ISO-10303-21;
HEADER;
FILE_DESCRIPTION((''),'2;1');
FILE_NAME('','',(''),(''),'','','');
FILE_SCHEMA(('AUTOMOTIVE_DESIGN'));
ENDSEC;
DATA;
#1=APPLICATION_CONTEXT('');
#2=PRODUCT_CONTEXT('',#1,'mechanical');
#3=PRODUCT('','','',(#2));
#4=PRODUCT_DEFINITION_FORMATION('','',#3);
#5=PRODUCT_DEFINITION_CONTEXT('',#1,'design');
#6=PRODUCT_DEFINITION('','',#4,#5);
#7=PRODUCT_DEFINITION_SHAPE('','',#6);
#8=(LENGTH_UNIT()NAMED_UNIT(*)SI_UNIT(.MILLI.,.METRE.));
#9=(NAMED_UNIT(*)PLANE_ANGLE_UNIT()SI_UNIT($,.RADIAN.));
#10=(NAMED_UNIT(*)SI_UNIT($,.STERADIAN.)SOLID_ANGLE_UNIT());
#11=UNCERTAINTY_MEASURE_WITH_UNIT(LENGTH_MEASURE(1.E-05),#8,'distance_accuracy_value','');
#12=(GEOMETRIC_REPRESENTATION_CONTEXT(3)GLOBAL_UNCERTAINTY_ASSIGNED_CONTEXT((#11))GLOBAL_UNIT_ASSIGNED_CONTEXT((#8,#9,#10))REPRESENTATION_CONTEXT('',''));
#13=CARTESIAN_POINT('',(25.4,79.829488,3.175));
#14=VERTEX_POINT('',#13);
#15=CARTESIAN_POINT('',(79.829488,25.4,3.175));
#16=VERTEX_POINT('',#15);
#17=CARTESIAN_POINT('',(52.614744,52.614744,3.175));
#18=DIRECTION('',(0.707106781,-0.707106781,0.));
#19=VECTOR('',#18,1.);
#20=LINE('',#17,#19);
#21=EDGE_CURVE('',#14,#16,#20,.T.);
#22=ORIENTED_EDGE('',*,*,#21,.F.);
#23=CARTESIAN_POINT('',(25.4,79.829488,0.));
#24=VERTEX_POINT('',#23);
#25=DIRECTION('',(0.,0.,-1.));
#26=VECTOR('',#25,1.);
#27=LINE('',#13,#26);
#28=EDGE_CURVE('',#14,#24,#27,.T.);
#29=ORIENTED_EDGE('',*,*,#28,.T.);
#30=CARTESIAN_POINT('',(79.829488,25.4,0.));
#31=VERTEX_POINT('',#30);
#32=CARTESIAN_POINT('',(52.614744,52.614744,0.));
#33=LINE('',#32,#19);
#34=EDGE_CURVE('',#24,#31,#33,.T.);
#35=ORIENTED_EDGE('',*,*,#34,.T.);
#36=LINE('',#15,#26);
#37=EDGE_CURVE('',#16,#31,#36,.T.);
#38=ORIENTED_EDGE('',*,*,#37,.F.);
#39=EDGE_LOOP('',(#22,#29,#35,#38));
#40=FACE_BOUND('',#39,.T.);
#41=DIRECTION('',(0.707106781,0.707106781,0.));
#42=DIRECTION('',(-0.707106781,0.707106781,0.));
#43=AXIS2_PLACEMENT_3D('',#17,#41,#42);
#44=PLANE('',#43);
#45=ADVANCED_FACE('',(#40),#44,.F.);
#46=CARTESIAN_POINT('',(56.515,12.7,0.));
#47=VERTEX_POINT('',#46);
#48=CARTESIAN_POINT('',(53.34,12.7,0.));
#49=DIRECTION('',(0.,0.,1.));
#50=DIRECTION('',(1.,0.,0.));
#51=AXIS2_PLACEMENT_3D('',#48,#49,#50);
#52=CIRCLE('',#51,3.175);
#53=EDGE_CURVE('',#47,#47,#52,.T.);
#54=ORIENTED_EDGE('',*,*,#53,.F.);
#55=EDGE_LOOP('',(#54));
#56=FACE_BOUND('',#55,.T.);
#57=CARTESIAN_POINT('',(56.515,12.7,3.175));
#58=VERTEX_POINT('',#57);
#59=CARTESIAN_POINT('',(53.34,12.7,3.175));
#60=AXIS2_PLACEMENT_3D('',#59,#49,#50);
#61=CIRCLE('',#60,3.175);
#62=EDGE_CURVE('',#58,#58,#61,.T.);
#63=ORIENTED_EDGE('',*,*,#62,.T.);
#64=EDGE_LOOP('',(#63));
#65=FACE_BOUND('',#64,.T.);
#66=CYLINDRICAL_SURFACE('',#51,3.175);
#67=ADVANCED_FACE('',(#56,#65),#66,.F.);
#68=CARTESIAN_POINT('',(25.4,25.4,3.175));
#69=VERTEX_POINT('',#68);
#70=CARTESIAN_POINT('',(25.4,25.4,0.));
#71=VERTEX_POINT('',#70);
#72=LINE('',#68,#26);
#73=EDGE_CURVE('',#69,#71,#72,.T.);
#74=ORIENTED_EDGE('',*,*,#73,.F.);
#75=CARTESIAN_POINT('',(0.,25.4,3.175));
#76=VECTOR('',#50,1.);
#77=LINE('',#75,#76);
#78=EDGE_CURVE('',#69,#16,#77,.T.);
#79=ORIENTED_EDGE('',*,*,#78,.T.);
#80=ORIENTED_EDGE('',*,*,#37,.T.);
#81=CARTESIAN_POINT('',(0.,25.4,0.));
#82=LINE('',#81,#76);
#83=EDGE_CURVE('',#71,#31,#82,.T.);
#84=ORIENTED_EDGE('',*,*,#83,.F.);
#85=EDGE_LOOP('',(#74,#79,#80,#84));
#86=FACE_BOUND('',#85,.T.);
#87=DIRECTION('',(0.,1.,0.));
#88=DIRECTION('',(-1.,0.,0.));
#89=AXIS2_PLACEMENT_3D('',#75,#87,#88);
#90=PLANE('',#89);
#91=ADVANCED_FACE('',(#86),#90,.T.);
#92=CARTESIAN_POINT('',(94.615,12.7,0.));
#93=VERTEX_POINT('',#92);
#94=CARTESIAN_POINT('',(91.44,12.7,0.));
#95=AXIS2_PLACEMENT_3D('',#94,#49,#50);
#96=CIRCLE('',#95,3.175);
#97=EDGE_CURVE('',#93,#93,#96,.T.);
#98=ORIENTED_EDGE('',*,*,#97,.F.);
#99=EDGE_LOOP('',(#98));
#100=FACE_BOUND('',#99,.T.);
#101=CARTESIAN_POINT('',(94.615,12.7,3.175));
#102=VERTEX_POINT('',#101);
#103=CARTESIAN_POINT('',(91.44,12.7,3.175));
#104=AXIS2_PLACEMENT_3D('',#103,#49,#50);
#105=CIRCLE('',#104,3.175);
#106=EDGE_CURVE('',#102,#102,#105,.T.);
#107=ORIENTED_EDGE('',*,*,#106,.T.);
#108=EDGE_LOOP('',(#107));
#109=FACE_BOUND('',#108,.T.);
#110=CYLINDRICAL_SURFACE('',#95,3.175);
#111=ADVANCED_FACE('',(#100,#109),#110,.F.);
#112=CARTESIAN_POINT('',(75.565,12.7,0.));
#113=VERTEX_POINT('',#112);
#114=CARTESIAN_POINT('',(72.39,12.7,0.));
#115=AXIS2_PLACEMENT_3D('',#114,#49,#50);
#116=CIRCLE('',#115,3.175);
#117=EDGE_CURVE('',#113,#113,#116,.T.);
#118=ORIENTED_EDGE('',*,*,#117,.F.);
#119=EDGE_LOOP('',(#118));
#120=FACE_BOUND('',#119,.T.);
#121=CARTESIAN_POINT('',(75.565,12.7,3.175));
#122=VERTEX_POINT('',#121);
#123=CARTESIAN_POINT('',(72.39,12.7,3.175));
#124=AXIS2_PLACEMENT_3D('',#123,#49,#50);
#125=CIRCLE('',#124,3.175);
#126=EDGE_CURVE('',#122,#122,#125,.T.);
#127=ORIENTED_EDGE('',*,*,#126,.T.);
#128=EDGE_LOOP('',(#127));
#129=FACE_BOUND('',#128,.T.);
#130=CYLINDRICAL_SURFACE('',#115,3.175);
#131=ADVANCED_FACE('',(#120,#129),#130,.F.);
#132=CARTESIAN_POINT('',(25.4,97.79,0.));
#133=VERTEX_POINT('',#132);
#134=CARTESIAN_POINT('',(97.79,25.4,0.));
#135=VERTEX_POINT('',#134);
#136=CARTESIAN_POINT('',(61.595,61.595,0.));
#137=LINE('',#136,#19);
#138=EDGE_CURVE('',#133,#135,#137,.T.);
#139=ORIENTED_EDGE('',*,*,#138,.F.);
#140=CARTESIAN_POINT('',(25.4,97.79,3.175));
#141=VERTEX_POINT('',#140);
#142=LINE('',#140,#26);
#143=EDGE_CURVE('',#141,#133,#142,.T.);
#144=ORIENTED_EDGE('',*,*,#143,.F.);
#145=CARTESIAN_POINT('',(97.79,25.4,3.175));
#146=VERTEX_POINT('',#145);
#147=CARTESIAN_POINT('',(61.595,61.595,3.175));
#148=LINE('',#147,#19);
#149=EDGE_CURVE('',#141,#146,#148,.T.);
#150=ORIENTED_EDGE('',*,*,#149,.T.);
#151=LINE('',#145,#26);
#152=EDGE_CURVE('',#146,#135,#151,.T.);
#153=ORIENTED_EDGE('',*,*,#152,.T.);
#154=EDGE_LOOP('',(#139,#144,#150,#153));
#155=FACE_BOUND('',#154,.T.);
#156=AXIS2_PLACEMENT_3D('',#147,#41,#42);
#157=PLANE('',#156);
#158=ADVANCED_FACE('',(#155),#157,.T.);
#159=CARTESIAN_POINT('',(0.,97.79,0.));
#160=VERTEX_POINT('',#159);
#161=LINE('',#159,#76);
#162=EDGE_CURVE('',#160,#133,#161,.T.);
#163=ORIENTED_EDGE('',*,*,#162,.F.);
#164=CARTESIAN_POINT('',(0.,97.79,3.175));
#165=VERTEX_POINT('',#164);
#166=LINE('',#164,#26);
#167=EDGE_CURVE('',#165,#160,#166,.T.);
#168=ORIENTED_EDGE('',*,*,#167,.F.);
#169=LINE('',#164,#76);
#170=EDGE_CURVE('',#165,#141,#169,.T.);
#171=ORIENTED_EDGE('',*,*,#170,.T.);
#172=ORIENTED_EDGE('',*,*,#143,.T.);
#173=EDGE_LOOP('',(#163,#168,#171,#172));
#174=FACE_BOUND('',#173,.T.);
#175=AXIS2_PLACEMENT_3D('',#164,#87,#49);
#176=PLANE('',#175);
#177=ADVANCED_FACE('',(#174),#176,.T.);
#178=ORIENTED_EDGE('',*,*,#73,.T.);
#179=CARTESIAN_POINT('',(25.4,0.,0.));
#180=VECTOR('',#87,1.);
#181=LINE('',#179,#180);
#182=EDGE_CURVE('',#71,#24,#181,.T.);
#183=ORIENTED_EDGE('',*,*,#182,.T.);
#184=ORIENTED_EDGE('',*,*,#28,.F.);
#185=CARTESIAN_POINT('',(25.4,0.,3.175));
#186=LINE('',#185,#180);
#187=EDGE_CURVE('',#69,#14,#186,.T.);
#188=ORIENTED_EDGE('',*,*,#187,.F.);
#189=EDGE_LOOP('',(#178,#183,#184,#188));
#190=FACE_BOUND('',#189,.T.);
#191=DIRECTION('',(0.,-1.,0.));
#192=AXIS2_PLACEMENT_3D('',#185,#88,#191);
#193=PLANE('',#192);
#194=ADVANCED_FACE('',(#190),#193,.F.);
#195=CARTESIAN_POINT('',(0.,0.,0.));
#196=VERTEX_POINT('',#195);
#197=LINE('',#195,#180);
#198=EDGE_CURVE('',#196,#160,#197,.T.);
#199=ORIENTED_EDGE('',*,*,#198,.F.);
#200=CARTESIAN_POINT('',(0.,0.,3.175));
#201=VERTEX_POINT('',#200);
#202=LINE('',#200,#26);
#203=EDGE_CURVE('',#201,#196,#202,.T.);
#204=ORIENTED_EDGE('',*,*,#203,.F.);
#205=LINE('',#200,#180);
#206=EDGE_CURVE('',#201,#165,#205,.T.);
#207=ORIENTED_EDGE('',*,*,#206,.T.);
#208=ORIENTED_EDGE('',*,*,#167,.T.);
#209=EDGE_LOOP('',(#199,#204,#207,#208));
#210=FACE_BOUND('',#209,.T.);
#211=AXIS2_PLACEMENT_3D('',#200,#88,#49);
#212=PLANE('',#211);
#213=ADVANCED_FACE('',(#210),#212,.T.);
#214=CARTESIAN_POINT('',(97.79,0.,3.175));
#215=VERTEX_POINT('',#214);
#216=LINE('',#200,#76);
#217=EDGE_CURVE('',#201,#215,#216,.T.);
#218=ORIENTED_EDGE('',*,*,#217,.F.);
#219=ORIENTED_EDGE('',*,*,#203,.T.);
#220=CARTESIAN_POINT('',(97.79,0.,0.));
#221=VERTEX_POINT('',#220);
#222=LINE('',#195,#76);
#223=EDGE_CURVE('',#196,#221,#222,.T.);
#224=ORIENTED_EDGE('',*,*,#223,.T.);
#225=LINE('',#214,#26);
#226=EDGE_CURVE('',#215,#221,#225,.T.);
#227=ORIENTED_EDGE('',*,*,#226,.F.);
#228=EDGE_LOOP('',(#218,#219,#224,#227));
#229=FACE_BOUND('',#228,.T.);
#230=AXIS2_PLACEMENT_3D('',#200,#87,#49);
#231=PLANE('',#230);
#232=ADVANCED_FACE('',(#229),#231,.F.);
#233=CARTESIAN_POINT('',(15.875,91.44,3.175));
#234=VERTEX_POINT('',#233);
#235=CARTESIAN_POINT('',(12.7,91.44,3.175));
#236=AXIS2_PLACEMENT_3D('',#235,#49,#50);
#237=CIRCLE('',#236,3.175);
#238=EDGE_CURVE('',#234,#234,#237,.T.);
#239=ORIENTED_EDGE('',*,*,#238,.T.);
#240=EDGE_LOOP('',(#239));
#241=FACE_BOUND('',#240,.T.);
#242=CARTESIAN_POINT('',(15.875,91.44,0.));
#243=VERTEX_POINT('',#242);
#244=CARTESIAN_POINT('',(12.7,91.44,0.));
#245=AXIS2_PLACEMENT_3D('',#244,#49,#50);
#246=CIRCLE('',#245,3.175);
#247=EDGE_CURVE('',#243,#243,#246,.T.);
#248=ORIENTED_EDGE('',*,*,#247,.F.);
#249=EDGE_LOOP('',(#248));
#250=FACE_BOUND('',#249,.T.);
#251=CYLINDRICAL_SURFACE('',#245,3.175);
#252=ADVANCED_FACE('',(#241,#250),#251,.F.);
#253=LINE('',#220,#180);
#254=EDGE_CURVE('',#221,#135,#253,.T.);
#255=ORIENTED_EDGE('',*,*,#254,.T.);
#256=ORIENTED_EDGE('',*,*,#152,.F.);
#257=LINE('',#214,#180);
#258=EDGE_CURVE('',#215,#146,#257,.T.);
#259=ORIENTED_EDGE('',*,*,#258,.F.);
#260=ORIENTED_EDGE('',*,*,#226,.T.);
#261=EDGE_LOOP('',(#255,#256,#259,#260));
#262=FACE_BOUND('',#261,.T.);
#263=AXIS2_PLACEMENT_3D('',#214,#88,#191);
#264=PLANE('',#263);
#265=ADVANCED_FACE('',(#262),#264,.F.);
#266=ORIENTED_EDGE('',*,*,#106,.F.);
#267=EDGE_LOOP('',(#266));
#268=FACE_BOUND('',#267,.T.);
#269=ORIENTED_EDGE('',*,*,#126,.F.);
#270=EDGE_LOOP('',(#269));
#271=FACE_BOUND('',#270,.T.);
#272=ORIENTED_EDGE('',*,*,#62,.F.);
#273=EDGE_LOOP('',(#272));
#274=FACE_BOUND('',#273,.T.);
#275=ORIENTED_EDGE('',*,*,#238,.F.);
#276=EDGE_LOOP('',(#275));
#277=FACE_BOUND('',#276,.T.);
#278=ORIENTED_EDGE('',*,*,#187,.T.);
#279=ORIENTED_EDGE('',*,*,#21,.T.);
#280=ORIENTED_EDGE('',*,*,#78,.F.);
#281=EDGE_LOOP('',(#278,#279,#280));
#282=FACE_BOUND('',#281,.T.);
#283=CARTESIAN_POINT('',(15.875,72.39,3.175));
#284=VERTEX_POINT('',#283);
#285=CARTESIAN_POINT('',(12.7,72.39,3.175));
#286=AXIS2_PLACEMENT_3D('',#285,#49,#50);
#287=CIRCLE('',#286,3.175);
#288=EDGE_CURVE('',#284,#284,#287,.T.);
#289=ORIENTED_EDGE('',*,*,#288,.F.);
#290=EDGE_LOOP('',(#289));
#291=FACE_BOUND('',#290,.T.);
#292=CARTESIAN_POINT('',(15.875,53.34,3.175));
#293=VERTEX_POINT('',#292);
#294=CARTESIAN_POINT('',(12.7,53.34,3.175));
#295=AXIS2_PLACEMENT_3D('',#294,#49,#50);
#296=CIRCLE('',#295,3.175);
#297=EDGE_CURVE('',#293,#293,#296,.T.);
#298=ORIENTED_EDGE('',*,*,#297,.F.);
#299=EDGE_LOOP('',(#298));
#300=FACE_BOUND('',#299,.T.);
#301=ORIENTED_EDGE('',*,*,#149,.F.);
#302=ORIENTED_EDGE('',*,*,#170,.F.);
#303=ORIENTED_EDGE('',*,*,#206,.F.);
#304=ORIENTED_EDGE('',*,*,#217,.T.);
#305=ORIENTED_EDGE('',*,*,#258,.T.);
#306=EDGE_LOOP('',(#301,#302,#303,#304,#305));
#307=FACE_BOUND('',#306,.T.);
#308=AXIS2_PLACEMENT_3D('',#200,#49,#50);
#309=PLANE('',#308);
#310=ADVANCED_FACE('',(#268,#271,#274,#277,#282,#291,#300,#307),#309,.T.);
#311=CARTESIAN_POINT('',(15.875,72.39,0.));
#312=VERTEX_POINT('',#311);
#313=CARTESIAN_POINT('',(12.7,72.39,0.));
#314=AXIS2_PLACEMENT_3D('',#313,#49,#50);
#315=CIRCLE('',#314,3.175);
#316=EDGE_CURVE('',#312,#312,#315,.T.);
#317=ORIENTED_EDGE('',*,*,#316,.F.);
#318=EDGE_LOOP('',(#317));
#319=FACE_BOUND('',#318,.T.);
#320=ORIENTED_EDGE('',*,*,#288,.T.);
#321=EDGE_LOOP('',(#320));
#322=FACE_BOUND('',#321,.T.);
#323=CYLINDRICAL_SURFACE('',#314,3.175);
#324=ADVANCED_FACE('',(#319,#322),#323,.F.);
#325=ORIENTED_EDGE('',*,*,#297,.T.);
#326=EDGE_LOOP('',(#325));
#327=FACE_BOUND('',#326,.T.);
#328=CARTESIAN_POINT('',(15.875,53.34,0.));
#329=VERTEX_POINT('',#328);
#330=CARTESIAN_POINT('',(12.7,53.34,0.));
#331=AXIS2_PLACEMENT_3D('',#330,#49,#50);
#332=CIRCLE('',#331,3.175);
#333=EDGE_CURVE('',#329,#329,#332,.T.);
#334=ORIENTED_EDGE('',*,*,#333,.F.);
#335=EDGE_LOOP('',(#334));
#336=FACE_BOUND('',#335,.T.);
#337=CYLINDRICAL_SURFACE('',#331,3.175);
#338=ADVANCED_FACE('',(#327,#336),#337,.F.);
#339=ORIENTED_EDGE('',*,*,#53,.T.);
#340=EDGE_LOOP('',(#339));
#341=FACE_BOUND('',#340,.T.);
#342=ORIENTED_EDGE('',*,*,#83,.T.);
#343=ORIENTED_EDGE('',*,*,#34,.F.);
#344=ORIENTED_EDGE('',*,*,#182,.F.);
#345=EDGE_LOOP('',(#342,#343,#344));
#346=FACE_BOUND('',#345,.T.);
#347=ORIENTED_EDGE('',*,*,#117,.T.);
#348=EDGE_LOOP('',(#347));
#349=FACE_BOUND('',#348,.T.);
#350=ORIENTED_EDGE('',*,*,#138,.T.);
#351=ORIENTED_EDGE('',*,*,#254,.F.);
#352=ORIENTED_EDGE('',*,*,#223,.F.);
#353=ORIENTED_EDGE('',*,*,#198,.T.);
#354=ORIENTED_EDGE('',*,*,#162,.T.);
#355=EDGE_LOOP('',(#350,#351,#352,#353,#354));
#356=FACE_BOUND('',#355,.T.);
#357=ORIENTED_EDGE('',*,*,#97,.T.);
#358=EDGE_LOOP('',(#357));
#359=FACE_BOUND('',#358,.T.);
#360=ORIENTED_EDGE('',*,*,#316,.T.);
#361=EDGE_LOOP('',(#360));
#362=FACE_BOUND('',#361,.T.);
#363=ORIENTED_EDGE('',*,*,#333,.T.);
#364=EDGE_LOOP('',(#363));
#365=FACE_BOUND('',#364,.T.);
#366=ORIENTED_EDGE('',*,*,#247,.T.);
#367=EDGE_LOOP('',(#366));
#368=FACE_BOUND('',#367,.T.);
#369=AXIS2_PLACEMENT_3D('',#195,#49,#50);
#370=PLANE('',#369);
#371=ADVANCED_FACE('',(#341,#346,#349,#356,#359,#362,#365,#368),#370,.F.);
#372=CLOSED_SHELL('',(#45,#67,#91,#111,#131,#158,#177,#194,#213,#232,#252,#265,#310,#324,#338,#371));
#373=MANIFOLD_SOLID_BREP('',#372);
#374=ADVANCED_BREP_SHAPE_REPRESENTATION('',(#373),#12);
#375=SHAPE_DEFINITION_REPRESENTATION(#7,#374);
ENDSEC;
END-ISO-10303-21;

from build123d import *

# Parameters (mm, degrees)
BOSS_EXTRUDE1_DEPTH = 3.175
SKETCH2_R           = 3.175
CUT_EXTRUDE1_DEPTH  = 139.332385308


with BuildPart() as part:
    # Sketch1 → Boss-Extrude1 (new body)
    with BuildSketch(Plane.XY):
        Polygon((25.4, 97.79), (97.79, 25.4), (97.79, 0), (0, 0), (0, 97.79), align=None)
        Polygon((25.4, 25.4), (25.4, 79.829487758), (79.829487758, 25.4), align=None, mode=Mode.SUBTRACT)
    extrude(amount=BOSS_EXTRUDE1_DEPTH)

    # Sketch2 → Cut-Extrude1 (cut, through all)
    with BuildSketch(Plane.XY.offset(3.175)):
        with Locations((53.34, 12.7)):
            Circle(SKETCH2_R)
        with Locations((72.39, 12.7)):
            Circle(SKETCH2_R)
        with Locations((12.7, 53.34)):
            Circle(SKETCH2_R)
        with Locations((12.7, 72.39)):
            Circle(SKETCH2_R)
        with Locations((12.7, 91.44)):
            Circle(SKETCH2_R)
        with Locations((91.44, 12.7)):
            Circle(SKETCH2_R)
    extrude(amount=-CUT_EXTRUDE1_DEPTH, mode=Mode.SUBTRACT)


solid = part.part
